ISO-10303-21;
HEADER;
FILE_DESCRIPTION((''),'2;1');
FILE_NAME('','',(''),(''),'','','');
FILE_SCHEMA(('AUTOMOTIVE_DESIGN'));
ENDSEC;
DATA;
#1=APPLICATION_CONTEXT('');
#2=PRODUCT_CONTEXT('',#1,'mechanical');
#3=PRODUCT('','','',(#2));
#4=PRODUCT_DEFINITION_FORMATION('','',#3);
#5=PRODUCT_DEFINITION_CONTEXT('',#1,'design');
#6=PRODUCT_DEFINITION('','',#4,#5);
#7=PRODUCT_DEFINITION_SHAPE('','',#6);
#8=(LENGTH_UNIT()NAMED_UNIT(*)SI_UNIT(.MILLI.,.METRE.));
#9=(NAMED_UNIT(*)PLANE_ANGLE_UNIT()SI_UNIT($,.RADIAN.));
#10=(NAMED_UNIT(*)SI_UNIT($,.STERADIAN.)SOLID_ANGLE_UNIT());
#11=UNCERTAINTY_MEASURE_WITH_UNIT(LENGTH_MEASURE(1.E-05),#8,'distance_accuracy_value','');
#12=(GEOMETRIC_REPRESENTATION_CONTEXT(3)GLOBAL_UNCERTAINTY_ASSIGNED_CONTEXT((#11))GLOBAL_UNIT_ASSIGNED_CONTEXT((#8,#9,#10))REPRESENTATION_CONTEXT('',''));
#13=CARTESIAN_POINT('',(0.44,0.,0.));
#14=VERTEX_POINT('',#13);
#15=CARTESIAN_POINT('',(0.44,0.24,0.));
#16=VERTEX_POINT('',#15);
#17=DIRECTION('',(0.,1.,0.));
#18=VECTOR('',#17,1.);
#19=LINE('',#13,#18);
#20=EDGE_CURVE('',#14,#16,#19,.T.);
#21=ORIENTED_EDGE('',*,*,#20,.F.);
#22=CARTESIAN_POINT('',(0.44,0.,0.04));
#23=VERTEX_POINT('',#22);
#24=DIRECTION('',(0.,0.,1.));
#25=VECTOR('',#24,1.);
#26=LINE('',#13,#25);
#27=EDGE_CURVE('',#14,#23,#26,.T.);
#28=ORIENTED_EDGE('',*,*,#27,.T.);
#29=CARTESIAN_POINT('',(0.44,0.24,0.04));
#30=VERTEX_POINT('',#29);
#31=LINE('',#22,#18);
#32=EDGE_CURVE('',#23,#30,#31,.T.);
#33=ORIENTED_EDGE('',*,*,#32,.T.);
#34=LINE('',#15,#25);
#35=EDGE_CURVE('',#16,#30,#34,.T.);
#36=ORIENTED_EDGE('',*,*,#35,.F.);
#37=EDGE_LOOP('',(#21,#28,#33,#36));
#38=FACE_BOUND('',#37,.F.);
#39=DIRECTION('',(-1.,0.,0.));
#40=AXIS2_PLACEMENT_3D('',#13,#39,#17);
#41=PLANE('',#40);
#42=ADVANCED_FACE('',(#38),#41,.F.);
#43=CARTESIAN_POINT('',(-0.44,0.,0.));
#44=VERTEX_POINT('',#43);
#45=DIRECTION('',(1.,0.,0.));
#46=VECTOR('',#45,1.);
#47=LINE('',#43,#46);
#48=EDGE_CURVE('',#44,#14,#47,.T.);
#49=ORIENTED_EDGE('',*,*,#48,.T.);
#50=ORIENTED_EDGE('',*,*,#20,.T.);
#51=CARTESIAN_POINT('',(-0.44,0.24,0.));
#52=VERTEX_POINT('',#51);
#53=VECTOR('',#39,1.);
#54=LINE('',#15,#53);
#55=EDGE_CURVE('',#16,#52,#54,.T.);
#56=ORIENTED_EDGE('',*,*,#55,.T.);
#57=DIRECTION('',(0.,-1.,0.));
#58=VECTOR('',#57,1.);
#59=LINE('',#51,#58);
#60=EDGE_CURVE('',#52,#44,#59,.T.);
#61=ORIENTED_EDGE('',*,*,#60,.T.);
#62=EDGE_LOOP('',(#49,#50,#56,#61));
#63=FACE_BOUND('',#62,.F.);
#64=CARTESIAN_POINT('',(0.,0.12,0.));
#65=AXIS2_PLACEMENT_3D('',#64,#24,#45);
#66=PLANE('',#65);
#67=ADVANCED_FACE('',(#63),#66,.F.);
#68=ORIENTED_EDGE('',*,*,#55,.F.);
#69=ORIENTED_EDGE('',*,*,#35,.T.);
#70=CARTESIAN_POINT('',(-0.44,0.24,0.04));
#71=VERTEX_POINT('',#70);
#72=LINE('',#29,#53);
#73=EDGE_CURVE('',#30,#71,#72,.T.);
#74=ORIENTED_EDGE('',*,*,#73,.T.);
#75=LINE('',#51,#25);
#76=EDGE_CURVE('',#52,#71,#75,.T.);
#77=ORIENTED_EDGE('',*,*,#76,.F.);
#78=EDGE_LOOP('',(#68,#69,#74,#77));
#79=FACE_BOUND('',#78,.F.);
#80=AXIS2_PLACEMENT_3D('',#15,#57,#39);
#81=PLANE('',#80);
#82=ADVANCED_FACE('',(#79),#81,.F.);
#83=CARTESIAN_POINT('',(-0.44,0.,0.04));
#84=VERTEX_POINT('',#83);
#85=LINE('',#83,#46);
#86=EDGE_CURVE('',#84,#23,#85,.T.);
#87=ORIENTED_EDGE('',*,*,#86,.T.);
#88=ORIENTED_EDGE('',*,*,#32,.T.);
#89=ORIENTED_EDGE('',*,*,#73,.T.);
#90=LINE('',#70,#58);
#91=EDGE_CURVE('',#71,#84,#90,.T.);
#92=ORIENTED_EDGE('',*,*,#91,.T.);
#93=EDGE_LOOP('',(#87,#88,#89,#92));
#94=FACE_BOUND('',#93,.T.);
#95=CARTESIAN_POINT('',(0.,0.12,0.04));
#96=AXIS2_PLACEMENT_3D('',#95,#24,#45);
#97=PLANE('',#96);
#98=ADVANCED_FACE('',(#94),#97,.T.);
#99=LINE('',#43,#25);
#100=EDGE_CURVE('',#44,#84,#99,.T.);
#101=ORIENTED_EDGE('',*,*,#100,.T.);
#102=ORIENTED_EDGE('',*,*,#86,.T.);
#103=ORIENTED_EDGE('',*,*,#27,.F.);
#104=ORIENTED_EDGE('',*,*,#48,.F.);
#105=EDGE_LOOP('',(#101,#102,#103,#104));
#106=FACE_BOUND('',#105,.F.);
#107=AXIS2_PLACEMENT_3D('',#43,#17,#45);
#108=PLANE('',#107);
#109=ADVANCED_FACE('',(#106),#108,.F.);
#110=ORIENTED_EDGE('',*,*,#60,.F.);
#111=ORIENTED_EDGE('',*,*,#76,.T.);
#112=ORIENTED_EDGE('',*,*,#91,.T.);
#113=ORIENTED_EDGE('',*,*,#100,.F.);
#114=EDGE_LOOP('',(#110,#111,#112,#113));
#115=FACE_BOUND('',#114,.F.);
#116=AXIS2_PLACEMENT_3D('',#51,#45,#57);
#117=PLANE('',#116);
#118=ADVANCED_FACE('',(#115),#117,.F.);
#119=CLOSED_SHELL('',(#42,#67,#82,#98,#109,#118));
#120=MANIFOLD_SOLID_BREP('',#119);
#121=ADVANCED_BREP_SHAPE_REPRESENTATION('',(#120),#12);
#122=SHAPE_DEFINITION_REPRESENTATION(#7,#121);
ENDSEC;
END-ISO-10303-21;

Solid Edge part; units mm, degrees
sketch "Sketch1" plane through (0, 0, 0) normal (0, 0, 1) x (1, 0, 0)
  line L0 (-0.44, 0) -> (0.44, 0)
  line L1 (0.44, 0) -> (0.44, 0.24)
  line L2 (0.44, 0.24) -> (-0.44, 0.24)
  line L3 (-0.44, 0.24) -> (-0.44, 0)
  dimension "D1" = 0.24
  dimension "D2" = 0.88
extrude "Protrusion1" add sketch "Sketch1" along normal blind 0.04
